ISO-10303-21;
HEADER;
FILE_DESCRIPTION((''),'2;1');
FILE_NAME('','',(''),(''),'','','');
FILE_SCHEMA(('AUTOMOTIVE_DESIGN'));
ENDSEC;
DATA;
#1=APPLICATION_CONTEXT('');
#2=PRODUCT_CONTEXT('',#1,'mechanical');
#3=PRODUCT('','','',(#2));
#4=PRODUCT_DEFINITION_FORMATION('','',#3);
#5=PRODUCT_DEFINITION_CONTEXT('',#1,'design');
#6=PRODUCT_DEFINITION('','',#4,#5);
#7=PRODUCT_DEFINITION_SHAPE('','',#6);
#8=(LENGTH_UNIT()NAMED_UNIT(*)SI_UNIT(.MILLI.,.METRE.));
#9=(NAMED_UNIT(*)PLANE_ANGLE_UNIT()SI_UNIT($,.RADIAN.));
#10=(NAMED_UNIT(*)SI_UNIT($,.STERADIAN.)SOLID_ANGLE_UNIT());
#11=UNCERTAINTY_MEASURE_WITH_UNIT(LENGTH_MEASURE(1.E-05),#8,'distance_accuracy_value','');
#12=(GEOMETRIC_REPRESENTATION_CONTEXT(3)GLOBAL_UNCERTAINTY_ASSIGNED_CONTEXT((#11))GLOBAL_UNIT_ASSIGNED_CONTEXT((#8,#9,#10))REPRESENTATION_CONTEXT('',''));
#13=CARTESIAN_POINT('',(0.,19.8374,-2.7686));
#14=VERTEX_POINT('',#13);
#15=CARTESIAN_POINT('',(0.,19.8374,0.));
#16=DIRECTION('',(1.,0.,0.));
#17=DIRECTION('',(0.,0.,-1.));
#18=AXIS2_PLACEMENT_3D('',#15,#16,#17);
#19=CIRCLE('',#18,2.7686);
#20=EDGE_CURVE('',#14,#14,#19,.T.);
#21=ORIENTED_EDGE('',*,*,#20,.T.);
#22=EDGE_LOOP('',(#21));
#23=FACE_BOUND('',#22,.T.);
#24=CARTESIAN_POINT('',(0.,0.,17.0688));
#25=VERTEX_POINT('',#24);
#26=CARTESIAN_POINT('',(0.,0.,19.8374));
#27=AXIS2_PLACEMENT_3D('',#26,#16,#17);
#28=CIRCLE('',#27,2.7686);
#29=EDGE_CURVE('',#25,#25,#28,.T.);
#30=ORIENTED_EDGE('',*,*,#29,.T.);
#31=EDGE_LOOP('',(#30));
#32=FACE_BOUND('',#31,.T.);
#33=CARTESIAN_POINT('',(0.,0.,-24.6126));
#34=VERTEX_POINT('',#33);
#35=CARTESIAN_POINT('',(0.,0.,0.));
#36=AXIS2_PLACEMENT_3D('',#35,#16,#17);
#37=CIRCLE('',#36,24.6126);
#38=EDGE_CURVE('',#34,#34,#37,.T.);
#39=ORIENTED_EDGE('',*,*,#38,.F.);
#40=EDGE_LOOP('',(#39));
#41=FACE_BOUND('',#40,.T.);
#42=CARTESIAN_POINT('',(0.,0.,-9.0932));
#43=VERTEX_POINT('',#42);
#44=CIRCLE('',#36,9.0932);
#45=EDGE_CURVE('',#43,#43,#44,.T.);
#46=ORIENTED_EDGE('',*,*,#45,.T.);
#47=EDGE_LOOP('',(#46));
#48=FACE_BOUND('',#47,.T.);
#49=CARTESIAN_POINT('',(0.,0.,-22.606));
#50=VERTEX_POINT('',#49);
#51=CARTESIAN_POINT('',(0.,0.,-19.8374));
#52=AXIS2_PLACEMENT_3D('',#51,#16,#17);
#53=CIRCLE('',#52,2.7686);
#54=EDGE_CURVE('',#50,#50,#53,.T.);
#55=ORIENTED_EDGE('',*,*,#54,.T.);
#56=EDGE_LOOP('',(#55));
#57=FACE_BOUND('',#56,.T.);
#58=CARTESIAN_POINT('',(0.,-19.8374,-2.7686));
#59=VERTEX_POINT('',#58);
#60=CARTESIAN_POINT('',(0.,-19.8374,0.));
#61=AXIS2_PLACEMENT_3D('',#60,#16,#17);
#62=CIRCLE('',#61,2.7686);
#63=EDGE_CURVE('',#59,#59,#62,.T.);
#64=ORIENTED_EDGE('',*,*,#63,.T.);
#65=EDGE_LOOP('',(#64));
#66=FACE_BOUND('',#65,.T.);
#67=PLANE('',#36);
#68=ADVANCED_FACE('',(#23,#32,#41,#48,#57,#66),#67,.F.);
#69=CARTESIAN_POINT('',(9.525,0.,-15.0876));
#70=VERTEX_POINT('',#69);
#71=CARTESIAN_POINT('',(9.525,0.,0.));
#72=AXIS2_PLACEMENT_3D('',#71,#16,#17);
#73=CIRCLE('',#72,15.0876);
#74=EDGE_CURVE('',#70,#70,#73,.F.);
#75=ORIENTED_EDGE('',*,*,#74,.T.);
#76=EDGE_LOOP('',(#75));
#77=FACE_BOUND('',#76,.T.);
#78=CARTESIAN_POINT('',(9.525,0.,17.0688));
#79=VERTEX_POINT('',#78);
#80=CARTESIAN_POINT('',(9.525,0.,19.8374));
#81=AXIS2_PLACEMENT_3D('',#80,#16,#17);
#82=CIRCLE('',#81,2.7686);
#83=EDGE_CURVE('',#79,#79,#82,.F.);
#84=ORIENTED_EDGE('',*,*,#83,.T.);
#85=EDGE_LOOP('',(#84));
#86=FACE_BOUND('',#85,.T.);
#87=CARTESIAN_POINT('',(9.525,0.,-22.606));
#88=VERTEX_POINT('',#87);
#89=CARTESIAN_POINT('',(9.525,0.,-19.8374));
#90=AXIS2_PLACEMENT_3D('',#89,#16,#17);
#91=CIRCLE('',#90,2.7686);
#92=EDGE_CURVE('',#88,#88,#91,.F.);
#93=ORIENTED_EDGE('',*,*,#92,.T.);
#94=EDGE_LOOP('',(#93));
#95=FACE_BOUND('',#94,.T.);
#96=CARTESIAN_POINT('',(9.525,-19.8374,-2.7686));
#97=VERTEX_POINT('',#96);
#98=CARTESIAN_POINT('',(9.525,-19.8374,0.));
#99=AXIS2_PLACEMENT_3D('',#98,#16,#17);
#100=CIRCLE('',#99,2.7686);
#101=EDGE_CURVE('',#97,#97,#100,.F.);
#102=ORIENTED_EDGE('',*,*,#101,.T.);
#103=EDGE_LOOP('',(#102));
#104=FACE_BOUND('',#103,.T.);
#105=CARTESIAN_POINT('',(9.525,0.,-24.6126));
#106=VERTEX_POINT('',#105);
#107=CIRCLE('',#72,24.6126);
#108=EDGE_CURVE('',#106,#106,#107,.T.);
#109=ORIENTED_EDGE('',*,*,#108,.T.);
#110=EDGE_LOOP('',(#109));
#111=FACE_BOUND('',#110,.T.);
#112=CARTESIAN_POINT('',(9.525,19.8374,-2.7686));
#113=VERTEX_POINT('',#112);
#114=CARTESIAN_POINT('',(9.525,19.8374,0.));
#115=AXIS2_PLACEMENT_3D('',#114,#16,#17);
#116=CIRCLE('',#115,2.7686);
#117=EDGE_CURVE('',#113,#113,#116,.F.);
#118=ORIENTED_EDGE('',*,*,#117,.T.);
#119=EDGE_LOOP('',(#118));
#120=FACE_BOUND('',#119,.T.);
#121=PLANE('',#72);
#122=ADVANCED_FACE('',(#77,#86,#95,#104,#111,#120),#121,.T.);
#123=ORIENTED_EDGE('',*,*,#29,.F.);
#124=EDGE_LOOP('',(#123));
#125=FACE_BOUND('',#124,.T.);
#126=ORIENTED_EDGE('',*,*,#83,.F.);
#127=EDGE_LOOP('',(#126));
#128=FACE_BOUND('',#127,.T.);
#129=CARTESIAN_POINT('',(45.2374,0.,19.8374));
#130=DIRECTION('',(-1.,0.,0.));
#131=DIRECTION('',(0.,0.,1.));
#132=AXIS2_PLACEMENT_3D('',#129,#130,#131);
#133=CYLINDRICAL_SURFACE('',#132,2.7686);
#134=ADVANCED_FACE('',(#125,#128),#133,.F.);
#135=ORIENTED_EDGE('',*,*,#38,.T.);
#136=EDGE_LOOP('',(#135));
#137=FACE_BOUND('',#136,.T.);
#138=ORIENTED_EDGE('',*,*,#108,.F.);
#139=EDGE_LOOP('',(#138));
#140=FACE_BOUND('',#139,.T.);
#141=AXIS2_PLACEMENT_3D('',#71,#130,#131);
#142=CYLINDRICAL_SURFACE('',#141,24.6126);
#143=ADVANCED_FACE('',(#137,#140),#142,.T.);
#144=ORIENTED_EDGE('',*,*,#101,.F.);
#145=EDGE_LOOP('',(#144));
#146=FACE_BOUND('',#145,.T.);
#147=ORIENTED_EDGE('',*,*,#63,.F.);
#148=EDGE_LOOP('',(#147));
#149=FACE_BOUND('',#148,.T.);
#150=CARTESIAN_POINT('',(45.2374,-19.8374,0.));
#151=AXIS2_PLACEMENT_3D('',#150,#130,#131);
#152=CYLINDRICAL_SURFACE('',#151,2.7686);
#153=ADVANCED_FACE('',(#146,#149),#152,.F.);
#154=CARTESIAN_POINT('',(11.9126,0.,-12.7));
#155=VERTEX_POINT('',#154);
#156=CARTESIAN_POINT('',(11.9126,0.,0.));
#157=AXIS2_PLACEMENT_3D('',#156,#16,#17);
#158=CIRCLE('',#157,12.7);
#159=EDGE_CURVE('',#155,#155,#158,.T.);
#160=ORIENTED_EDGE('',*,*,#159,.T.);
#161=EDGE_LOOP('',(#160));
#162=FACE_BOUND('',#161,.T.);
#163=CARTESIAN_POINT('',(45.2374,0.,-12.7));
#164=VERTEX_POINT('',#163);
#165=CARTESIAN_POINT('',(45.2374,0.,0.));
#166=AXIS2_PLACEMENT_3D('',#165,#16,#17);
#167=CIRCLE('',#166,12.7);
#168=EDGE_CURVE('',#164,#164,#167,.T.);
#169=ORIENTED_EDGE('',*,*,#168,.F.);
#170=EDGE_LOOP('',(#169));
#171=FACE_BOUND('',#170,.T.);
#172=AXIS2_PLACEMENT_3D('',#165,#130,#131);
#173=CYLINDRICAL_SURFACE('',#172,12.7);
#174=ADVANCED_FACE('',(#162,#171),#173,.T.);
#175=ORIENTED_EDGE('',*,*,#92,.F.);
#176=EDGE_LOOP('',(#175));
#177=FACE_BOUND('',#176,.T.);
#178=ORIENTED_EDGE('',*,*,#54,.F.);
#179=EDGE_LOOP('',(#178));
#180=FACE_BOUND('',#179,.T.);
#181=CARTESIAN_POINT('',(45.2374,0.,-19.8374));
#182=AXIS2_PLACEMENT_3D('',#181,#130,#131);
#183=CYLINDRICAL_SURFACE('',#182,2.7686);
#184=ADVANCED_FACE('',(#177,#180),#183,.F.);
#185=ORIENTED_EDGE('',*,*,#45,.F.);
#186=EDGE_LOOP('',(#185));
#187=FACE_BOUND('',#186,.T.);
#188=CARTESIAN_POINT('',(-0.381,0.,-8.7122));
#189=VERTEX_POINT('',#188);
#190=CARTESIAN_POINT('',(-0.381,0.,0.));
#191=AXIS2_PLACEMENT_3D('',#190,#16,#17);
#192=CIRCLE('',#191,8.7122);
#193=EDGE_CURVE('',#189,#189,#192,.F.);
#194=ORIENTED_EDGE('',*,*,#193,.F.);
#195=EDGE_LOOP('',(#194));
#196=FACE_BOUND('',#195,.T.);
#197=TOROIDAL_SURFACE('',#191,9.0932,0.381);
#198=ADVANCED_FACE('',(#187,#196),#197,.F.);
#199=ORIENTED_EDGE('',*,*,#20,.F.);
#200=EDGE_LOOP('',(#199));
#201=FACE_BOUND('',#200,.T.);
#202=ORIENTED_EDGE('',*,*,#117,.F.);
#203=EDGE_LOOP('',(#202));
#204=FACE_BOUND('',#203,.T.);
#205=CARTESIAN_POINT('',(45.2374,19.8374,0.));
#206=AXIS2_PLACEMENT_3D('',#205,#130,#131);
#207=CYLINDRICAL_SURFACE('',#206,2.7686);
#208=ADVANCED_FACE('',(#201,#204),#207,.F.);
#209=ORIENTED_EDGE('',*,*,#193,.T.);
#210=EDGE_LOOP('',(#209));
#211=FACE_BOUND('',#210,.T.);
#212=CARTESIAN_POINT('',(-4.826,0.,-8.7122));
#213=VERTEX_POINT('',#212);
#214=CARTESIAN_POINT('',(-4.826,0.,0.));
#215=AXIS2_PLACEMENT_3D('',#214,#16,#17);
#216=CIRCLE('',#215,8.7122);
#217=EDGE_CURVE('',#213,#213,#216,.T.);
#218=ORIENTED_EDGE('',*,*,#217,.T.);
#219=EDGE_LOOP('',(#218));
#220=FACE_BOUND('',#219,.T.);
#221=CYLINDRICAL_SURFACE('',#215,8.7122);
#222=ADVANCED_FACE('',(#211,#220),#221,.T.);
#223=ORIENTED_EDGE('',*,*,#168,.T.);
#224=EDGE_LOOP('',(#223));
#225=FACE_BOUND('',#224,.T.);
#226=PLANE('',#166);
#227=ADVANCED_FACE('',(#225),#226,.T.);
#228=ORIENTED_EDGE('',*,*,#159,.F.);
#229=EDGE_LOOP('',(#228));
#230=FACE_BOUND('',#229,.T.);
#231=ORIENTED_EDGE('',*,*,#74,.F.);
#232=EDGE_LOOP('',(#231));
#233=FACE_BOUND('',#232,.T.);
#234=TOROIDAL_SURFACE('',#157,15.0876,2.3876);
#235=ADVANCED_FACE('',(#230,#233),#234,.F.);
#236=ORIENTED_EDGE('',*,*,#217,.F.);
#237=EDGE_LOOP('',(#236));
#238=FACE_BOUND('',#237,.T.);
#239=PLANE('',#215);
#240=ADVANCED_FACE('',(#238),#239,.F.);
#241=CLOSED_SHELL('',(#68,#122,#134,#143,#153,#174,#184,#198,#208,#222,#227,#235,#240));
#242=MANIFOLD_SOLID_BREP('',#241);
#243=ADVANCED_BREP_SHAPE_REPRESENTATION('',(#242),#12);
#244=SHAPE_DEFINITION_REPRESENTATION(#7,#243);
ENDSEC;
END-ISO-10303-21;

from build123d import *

# Parameters (mm, degrees)
SKETCH1_R           = 24.6126
BOSS_EXTRUDE1_DEPTH = 9.525
BOSS_EXTRUDE2_START = 9.525
SKETCH2_R           = 12.7
BOSS_EXTRUDE2_DEPTH = 35.7124
SKETCH3_R           = 8.7122
BOSS_EXTRUDE4_DEPTH = 4.826
SKETCH4_R           = 2.7686
CUT_EXTRUDE2_DEPTH  = 58.078739617
FILLET1_R           = 0.381
FILLET2_R           = 2.3876


with BuildPart() as part:
    # Sketch1 → Boss-Extrude1 (new body)
    with BuildSketch(Plane.YZ):
        with Locations(Location((0, 0, 0), (0, 0, 270))):
            Circle(SKETCH1_R)
    extrude(amount=BOSS_EXTRUDE1_DEPTH)

    # Sketch2 → Boss-Extrude2 (add)
    with BuildSketch(Plane.YZ.offset(BOSS_EXTRUDE2_START)):
        with Locations(Location((0, 0, 0), (0, 0, 270))):
            Circle(SKETCH2_R)
    extrude(amount=BOSS_EXTRUDE2_DEPTH)

    # Sketch3 → Boss-Extrude4 (add)
    with BuildSketch(Plane.YZ):
        with Locations(Location((0, 0, 0), (0, 0, 270))):
            Circle(SKETCH3_R)
    extrude(amount=-BOSS_EXTRUDE4_DEPTH)

    # Sketch4 → Cut-Extrude2 (cut, through all)
    with BuildSketch(Plane.YZ):
        with Locations(Location((0, 19.8374, 0), (0, 0, 270))):
            Circle(SKETCH4_R)
        with Locations(Location((19.8374, 0, 0), (0, 0, 270))):
            Circle(SKETCH4_R)
        with Locations(Location((0, -19.8374, 0), (0, 0, 270))):
            Circle(SKETCH4_R)
        with Locations(Location((-19.8374, 0, 0), (0, 0, 270))):
            Circle(SKETCH4_R)
    extrude(amount=CUT_EXTRUDE2_DEPTH, mode=Mode.SUBTRACT)

    # Fillet1
    fillet1_edges = [part.edges().sort_by_distance(p)[0] for p in [
        (0, 0, 8.7122),
    ]]
    fillet(fillet1_edges, radius=FILLET1_R)

    # Fillet2
    fillet2_edges = [part.edges().sort_by_distance(p)[0] for p in [
        (9.525, 0, 12.7),
    ]]
    fillet(fillet2_edges, radius=FILLET2_R)


solid = part.part
